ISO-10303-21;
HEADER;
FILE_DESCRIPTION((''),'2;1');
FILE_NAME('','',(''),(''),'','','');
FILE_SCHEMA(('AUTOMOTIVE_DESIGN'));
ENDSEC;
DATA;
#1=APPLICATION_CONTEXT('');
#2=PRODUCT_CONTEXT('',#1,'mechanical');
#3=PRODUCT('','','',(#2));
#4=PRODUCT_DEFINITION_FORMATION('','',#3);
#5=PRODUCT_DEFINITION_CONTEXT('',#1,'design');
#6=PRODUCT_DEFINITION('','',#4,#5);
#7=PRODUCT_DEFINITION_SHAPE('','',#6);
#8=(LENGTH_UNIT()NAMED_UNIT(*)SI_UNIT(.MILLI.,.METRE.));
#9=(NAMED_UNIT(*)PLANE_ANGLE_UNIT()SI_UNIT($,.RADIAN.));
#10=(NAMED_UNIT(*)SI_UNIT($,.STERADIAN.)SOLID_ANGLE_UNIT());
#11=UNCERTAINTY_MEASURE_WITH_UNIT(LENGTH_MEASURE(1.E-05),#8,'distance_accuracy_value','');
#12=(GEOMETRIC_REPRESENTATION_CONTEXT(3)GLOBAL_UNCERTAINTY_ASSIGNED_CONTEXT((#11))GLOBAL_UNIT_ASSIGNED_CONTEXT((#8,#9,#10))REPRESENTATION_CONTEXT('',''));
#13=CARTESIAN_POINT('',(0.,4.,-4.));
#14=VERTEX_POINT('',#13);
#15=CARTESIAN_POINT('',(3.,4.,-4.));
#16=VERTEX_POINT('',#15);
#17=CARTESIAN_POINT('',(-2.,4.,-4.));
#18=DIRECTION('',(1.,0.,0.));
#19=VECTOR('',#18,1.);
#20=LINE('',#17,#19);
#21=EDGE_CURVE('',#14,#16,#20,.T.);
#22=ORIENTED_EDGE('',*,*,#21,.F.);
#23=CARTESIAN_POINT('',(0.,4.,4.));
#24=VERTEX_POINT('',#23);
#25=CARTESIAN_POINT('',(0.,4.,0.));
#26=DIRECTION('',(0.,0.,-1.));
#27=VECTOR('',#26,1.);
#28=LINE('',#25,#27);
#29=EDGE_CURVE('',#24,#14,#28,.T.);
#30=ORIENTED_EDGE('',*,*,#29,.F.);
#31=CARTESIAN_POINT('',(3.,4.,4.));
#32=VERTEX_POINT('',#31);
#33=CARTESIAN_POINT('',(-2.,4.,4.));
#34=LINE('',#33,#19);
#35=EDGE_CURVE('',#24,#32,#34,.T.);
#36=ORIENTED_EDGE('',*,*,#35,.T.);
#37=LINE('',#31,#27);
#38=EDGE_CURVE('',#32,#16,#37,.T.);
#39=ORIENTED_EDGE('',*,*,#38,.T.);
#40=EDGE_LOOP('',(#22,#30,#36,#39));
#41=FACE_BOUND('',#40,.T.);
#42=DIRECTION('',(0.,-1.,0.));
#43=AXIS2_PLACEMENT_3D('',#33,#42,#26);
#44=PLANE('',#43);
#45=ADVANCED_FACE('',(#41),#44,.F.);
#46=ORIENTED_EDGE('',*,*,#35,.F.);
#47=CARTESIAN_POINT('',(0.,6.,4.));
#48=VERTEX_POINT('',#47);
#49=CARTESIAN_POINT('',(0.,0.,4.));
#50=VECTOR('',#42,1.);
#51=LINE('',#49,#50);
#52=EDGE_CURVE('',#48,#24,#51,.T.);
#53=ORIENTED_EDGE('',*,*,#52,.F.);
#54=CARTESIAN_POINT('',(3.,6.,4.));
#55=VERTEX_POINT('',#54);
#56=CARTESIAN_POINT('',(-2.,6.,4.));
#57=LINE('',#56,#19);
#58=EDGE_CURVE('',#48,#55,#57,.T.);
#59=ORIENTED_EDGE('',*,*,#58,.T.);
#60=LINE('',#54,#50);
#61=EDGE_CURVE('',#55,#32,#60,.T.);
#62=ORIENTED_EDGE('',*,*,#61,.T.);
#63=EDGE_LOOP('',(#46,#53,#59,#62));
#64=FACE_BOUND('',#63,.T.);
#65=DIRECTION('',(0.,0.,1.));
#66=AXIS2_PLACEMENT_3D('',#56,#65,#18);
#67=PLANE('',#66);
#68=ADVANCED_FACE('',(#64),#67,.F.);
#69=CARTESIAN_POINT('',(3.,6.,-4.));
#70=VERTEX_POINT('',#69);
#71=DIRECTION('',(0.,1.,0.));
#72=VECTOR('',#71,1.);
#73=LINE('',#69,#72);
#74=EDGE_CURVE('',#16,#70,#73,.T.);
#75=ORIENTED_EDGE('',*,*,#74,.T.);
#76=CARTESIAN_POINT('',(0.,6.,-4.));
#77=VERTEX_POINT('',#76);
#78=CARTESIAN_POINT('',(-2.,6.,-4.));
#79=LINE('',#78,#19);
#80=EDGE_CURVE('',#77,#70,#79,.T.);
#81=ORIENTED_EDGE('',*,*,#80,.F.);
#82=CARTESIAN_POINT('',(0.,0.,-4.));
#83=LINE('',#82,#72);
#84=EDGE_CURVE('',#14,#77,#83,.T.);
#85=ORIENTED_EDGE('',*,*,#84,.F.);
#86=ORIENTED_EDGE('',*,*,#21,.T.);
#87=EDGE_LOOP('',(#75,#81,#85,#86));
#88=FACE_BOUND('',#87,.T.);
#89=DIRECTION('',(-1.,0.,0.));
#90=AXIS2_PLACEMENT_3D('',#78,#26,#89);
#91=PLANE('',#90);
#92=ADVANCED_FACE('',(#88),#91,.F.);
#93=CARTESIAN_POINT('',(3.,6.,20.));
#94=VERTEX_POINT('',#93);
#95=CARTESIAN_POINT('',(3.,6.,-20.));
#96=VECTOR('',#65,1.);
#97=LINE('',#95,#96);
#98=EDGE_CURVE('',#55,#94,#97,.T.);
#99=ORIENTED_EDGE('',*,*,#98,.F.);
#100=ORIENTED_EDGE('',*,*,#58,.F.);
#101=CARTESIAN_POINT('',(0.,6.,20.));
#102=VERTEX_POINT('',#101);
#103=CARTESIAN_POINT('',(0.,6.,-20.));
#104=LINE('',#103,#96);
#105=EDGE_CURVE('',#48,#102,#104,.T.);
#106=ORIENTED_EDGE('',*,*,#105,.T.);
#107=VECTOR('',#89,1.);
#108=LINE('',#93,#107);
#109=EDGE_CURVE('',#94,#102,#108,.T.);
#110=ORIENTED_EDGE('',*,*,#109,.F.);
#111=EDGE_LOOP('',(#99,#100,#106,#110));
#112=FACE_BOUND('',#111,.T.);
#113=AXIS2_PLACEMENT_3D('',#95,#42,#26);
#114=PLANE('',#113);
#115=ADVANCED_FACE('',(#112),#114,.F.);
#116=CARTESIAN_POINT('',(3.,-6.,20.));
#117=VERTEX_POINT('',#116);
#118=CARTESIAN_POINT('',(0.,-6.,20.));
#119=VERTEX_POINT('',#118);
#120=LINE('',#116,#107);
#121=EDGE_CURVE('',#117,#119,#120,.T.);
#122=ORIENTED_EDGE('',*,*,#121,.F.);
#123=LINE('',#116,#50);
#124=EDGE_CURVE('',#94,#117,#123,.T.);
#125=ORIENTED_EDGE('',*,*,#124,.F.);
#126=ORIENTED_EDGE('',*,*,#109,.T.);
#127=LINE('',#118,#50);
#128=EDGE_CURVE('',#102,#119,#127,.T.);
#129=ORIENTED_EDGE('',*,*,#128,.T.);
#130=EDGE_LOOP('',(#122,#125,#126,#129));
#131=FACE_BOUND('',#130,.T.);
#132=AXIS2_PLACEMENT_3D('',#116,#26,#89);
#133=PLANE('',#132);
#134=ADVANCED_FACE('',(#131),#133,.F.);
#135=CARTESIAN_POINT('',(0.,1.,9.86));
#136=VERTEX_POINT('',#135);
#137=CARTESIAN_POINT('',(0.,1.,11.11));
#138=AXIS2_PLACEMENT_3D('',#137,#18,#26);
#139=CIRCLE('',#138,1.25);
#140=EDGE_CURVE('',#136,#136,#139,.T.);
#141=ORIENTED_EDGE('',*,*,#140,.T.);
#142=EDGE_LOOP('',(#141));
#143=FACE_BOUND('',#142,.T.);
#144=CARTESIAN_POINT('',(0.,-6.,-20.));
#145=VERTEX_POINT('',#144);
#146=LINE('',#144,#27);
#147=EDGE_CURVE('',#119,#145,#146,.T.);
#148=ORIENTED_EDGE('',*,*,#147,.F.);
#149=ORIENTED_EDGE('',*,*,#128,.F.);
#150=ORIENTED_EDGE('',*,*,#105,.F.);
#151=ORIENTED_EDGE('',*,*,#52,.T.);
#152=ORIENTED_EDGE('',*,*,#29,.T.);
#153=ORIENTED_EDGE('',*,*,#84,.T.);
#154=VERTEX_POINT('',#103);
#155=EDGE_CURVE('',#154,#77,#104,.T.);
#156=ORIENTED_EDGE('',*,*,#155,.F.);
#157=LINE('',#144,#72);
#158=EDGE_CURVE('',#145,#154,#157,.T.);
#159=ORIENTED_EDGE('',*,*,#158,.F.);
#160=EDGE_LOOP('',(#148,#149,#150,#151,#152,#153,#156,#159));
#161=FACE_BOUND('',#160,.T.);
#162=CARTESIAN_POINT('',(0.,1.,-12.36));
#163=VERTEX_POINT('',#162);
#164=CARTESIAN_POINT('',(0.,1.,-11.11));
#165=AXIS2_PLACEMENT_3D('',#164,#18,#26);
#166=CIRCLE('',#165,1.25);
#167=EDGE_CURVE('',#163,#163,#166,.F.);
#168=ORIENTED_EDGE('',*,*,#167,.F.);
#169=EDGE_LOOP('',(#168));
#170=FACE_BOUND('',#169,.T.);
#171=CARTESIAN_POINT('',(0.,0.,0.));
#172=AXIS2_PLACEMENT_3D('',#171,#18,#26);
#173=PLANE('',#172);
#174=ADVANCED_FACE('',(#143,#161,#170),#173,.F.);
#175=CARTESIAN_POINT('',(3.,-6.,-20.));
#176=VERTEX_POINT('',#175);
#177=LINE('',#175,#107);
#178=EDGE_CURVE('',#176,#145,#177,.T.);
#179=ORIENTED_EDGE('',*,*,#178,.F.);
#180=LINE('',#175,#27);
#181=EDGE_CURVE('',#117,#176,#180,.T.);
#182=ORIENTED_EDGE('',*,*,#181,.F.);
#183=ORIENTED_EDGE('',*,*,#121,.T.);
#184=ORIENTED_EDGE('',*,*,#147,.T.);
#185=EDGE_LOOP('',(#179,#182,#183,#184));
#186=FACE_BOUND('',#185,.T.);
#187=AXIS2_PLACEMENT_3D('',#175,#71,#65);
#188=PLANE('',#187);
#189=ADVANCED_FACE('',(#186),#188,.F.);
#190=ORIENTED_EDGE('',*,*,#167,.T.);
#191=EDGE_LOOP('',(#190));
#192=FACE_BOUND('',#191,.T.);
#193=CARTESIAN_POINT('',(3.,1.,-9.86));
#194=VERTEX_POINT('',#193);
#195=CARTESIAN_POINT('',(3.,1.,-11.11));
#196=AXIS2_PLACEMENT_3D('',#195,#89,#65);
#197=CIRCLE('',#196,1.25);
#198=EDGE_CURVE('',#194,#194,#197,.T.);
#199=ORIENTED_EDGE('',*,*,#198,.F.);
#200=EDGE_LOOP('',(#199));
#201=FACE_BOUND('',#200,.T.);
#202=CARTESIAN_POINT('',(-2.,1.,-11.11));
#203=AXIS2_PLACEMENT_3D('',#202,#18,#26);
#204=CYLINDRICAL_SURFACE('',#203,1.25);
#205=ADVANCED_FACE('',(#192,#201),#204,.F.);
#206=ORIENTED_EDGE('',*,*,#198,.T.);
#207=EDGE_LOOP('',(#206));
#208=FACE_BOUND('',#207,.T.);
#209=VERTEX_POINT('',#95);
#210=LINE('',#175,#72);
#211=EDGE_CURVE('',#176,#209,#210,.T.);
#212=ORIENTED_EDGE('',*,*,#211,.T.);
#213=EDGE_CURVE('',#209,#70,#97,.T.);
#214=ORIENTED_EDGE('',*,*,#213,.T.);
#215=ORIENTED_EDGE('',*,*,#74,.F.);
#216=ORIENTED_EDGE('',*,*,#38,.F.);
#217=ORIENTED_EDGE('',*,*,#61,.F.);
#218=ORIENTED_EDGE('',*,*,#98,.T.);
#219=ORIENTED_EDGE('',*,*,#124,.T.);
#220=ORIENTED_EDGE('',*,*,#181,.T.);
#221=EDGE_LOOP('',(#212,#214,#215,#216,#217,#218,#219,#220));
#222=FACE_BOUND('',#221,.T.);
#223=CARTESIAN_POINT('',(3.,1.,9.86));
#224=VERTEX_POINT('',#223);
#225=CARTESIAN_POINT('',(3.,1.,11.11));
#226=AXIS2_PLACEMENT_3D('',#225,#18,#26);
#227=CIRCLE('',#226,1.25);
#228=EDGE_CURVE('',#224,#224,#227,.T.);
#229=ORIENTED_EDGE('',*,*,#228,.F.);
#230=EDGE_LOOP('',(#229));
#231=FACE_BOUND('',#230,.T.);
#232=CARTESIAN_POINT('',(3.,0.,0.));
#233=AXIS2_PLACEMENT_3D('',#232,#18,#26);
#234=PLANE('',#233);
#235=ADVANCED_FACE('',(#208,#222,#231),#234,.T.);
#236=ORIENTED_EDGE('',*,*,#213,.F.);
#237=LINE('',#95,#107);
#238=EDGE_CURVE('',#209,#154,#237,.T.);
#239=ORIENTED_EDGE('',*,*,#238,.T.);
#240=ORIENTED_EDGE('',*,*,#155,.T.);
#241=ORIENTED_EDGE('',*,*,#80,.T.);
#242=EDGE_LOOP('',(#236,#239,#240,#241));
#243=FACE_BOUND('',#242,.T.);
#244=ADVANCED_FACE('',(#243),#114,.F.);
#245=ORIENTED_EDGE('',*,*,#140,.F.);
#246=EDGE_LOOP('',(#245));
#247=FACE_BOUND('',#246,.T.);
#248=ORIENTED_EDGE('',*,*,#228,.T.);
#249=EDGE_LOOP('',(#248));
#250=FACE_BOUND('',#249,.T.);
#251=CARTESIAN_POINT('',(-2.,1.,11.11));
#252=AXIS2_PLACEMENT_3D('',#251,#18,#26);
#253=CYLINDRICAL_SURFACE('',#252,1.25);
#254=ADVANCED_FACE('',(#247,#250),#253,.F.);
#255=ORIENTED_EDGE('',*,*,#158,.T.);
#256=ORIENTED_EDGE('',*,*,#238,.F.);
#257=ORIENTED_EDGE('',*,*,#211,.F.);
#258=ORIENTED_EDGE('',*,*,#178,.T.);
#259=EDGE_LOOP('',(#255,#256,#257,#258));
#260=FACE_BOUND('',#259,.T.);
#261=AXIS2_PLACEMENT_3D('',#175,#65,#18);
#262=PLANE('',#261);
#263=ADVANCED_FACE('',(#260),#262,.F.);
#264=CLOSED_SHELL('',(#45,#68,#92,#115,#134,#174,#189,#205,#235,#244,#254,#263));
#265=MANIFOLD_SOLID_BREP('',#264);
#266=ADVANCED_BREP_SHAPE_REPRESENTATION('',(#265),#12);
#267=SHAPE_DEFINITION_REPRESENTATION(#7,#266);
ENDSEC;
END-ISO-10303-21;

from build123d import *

# Parameters (mm, degrees)
SKETCH1_W           = 40
SKETCH1_H           = 12
BOSS_EXTRUDE1_DEPTH = 3
SKETCH2_R           = 1.25
SKETCH2_W           = 8
SKETCH2_H           = 2
CUT_EXTRUDE1_DEPTH  = 5


with BuildPart() as part:
    # Sketch1 → Boss-Extrude1 (new body)
    with BuildSketch(Plane(origin=(0, 0, 0), x_dir=(0, 0, -1), z_dir=(1, 0, 0))):
        Rectangle(SKETCH1_W, SKETCH1_H)
    extrude(amount=BOSS_EXTRUDE1_DEPTH)

    # Sketch2 → Cut-Extrude1 (cut)
    with BuildSketch(Plane(origin=(3, 0, 0), x_dir=(0, 0, -1), z_dir=(1, 0, 0))):
        with Locations((-11.11, 1)):
            Circle(SKETCH2_R)
        with Locations((0, 5)):
            Rectangle(SKETCH2_W, SKETCH2_H)
    cut_extrude1 = extrude(amount=-CUT_EXTRUDE1_DEPTH, mode=Mode.SUBTRACT)

    # Mirror1: Cut-Extrude1 across plane
    add(cut_extrude1.mirror(Plane.XY), mode=Mode.SUBTRACT)


solid = part.part
